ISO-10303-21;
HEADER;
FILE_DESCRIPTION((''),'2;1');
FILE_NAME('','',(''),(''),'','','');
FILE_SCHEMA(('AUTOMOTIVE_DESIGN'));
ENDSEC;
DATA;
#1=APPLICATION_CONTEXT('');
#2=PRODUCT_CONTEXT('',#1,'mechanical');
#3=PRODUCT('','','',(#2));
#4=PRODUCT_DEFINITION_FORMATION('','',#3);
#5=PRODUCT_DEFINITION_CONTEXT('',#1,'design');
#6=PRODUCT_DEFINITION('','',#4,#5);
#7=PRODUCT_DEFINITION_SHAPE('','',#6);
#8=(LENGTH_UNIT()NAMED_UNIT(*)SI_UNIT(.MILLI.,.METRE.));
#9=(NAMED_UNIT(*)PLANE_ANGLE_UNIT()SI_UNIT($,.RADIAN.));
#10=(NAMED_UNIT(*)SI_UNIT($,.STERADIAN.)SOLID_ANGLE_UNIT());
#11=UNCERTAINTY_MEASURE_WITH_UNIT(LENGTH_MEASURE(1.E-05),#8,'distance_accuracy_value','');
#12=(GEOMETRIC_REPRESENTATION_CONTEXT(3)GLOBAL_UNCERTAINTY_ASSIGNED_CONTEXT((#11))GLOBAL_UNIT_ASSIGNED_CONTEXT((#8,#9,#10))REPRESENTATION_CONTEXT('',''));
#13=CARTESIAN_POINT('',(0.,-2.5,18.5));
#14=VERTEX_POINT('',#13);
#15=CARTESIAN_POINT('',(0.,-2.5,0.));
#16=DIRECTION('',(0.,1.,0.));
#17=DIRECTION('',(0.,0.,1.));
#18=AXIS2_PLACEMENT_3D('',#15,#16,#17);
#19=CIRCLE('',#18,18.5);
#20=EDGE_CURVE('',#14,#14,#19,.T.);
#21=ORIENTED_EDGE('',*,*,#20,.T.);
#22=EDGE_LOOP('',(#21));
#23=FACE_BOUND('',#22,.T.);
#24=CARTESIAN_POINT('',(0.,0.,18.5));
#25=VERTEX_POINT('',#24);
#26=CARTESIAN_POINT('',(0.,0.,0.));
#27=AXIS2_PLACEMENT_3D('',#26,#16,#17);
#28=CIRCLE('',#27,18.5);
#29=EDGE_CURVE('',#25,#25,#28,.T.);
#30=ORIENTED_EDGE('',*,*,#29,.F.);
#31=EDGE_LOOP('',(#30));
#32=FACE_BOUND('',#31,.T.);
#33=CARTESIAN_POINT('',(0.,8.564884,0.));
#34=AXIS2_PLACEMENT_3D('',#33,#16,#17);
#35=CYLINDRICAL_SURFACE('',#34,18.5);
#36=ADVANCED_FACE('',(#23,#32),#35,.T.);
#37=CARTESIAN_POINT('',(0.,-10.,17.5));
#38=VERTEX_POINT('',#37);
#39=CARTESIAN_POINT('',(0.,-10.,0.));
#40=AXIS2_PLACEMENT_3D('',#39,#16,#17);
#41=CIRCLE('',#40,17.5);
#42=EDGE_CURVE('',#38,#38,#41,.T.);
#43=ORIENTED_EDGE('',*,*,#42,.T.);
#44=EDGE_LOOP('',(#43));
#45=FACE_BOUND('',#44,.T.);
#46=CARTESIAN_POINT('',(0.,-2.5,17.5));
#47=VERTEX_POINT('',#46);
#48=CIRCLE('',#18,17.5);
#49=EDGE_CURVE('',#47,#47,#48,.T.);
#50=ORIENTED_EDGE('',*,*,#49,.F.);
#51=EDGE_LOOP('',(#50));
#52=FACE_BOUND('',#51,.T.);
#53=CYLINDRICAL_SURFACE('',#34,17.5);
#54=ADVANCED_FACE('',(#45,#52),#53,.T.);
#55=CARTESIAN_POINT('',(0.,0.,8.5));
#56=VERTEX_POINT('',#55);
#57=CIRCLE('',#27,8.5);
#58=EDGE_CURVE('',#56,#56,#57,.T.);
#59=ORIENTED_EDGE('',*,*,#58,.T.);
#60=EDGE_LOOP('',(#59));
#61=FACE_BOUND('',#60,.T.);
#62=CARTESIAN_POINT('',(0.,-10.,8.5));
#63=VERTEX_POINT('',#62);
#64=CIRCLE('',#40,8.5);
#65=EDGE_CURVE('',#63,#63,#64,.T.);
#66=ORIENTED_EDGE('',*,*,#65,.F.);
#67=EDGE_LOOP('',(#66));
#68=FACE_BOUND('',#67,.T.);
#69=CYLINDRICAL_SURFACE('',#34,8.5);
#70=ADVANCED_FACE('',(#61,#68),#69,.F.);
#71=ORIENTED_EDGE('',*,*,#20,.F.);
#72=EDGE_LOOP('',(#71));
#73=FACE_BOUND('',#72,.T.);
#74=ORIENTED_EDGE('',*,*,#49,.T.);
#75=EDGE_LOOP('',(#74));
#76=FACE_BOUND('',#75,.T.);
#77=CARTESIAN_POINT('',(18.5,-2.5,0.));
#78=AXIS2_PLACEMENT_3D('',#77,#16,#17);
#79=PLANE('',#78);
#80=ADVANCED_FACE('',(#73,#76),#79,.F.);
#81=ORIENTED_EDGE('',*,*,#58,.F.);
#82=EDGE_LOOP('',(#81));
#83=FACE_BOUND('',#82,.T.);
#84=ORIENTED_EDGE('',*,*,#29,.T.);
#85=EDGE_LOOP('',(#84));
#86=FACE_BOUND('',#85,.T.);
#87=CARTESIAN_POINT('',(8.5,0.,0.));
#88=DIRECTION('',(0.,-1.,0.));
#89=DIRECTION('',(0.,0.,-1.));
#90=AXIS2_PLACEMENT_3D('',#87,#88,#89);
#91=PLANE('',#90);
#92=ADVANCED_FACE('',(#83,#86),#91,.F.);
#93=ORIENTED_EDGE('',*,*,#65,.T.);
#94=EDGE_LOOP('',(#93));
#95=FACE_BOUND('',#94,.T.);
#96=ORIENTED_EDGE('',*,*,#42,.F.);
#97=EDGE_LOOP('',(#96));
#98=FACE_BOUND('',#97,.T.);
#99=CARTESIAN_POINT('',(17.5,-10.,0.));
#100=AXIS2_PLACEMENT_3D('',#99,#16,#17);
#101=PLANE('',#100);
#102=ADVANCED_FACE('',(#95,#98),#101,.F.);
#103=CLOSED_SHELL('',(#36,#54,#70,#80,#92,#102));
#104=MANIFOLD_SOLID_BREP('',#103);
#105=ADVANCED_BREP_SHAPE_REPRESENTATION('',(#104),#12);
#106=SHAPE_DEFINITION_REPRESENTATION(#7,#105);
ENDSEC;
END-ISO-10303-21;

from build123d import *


with BuildPart() as part:
    # Sketch1 → Revolve1 (revolve)
    with BuildSketch(Plane.XY, mode=Mode.PRIVATE) as revolve1_sk:
        Polygon((8.5, 0), (18.5, 0), (18.5, -2.5), (17.5, -2.5), (17.5, -10), (8.5, -10), align=None)
    revolve(revolve1_sk.sketch.rotate(Axis((0, 8.564883574, 0), (0, -1, 0)), 90), axis=Axis((0, 8.564883574, 0), (0, -1, 0)))


solid = part.part
